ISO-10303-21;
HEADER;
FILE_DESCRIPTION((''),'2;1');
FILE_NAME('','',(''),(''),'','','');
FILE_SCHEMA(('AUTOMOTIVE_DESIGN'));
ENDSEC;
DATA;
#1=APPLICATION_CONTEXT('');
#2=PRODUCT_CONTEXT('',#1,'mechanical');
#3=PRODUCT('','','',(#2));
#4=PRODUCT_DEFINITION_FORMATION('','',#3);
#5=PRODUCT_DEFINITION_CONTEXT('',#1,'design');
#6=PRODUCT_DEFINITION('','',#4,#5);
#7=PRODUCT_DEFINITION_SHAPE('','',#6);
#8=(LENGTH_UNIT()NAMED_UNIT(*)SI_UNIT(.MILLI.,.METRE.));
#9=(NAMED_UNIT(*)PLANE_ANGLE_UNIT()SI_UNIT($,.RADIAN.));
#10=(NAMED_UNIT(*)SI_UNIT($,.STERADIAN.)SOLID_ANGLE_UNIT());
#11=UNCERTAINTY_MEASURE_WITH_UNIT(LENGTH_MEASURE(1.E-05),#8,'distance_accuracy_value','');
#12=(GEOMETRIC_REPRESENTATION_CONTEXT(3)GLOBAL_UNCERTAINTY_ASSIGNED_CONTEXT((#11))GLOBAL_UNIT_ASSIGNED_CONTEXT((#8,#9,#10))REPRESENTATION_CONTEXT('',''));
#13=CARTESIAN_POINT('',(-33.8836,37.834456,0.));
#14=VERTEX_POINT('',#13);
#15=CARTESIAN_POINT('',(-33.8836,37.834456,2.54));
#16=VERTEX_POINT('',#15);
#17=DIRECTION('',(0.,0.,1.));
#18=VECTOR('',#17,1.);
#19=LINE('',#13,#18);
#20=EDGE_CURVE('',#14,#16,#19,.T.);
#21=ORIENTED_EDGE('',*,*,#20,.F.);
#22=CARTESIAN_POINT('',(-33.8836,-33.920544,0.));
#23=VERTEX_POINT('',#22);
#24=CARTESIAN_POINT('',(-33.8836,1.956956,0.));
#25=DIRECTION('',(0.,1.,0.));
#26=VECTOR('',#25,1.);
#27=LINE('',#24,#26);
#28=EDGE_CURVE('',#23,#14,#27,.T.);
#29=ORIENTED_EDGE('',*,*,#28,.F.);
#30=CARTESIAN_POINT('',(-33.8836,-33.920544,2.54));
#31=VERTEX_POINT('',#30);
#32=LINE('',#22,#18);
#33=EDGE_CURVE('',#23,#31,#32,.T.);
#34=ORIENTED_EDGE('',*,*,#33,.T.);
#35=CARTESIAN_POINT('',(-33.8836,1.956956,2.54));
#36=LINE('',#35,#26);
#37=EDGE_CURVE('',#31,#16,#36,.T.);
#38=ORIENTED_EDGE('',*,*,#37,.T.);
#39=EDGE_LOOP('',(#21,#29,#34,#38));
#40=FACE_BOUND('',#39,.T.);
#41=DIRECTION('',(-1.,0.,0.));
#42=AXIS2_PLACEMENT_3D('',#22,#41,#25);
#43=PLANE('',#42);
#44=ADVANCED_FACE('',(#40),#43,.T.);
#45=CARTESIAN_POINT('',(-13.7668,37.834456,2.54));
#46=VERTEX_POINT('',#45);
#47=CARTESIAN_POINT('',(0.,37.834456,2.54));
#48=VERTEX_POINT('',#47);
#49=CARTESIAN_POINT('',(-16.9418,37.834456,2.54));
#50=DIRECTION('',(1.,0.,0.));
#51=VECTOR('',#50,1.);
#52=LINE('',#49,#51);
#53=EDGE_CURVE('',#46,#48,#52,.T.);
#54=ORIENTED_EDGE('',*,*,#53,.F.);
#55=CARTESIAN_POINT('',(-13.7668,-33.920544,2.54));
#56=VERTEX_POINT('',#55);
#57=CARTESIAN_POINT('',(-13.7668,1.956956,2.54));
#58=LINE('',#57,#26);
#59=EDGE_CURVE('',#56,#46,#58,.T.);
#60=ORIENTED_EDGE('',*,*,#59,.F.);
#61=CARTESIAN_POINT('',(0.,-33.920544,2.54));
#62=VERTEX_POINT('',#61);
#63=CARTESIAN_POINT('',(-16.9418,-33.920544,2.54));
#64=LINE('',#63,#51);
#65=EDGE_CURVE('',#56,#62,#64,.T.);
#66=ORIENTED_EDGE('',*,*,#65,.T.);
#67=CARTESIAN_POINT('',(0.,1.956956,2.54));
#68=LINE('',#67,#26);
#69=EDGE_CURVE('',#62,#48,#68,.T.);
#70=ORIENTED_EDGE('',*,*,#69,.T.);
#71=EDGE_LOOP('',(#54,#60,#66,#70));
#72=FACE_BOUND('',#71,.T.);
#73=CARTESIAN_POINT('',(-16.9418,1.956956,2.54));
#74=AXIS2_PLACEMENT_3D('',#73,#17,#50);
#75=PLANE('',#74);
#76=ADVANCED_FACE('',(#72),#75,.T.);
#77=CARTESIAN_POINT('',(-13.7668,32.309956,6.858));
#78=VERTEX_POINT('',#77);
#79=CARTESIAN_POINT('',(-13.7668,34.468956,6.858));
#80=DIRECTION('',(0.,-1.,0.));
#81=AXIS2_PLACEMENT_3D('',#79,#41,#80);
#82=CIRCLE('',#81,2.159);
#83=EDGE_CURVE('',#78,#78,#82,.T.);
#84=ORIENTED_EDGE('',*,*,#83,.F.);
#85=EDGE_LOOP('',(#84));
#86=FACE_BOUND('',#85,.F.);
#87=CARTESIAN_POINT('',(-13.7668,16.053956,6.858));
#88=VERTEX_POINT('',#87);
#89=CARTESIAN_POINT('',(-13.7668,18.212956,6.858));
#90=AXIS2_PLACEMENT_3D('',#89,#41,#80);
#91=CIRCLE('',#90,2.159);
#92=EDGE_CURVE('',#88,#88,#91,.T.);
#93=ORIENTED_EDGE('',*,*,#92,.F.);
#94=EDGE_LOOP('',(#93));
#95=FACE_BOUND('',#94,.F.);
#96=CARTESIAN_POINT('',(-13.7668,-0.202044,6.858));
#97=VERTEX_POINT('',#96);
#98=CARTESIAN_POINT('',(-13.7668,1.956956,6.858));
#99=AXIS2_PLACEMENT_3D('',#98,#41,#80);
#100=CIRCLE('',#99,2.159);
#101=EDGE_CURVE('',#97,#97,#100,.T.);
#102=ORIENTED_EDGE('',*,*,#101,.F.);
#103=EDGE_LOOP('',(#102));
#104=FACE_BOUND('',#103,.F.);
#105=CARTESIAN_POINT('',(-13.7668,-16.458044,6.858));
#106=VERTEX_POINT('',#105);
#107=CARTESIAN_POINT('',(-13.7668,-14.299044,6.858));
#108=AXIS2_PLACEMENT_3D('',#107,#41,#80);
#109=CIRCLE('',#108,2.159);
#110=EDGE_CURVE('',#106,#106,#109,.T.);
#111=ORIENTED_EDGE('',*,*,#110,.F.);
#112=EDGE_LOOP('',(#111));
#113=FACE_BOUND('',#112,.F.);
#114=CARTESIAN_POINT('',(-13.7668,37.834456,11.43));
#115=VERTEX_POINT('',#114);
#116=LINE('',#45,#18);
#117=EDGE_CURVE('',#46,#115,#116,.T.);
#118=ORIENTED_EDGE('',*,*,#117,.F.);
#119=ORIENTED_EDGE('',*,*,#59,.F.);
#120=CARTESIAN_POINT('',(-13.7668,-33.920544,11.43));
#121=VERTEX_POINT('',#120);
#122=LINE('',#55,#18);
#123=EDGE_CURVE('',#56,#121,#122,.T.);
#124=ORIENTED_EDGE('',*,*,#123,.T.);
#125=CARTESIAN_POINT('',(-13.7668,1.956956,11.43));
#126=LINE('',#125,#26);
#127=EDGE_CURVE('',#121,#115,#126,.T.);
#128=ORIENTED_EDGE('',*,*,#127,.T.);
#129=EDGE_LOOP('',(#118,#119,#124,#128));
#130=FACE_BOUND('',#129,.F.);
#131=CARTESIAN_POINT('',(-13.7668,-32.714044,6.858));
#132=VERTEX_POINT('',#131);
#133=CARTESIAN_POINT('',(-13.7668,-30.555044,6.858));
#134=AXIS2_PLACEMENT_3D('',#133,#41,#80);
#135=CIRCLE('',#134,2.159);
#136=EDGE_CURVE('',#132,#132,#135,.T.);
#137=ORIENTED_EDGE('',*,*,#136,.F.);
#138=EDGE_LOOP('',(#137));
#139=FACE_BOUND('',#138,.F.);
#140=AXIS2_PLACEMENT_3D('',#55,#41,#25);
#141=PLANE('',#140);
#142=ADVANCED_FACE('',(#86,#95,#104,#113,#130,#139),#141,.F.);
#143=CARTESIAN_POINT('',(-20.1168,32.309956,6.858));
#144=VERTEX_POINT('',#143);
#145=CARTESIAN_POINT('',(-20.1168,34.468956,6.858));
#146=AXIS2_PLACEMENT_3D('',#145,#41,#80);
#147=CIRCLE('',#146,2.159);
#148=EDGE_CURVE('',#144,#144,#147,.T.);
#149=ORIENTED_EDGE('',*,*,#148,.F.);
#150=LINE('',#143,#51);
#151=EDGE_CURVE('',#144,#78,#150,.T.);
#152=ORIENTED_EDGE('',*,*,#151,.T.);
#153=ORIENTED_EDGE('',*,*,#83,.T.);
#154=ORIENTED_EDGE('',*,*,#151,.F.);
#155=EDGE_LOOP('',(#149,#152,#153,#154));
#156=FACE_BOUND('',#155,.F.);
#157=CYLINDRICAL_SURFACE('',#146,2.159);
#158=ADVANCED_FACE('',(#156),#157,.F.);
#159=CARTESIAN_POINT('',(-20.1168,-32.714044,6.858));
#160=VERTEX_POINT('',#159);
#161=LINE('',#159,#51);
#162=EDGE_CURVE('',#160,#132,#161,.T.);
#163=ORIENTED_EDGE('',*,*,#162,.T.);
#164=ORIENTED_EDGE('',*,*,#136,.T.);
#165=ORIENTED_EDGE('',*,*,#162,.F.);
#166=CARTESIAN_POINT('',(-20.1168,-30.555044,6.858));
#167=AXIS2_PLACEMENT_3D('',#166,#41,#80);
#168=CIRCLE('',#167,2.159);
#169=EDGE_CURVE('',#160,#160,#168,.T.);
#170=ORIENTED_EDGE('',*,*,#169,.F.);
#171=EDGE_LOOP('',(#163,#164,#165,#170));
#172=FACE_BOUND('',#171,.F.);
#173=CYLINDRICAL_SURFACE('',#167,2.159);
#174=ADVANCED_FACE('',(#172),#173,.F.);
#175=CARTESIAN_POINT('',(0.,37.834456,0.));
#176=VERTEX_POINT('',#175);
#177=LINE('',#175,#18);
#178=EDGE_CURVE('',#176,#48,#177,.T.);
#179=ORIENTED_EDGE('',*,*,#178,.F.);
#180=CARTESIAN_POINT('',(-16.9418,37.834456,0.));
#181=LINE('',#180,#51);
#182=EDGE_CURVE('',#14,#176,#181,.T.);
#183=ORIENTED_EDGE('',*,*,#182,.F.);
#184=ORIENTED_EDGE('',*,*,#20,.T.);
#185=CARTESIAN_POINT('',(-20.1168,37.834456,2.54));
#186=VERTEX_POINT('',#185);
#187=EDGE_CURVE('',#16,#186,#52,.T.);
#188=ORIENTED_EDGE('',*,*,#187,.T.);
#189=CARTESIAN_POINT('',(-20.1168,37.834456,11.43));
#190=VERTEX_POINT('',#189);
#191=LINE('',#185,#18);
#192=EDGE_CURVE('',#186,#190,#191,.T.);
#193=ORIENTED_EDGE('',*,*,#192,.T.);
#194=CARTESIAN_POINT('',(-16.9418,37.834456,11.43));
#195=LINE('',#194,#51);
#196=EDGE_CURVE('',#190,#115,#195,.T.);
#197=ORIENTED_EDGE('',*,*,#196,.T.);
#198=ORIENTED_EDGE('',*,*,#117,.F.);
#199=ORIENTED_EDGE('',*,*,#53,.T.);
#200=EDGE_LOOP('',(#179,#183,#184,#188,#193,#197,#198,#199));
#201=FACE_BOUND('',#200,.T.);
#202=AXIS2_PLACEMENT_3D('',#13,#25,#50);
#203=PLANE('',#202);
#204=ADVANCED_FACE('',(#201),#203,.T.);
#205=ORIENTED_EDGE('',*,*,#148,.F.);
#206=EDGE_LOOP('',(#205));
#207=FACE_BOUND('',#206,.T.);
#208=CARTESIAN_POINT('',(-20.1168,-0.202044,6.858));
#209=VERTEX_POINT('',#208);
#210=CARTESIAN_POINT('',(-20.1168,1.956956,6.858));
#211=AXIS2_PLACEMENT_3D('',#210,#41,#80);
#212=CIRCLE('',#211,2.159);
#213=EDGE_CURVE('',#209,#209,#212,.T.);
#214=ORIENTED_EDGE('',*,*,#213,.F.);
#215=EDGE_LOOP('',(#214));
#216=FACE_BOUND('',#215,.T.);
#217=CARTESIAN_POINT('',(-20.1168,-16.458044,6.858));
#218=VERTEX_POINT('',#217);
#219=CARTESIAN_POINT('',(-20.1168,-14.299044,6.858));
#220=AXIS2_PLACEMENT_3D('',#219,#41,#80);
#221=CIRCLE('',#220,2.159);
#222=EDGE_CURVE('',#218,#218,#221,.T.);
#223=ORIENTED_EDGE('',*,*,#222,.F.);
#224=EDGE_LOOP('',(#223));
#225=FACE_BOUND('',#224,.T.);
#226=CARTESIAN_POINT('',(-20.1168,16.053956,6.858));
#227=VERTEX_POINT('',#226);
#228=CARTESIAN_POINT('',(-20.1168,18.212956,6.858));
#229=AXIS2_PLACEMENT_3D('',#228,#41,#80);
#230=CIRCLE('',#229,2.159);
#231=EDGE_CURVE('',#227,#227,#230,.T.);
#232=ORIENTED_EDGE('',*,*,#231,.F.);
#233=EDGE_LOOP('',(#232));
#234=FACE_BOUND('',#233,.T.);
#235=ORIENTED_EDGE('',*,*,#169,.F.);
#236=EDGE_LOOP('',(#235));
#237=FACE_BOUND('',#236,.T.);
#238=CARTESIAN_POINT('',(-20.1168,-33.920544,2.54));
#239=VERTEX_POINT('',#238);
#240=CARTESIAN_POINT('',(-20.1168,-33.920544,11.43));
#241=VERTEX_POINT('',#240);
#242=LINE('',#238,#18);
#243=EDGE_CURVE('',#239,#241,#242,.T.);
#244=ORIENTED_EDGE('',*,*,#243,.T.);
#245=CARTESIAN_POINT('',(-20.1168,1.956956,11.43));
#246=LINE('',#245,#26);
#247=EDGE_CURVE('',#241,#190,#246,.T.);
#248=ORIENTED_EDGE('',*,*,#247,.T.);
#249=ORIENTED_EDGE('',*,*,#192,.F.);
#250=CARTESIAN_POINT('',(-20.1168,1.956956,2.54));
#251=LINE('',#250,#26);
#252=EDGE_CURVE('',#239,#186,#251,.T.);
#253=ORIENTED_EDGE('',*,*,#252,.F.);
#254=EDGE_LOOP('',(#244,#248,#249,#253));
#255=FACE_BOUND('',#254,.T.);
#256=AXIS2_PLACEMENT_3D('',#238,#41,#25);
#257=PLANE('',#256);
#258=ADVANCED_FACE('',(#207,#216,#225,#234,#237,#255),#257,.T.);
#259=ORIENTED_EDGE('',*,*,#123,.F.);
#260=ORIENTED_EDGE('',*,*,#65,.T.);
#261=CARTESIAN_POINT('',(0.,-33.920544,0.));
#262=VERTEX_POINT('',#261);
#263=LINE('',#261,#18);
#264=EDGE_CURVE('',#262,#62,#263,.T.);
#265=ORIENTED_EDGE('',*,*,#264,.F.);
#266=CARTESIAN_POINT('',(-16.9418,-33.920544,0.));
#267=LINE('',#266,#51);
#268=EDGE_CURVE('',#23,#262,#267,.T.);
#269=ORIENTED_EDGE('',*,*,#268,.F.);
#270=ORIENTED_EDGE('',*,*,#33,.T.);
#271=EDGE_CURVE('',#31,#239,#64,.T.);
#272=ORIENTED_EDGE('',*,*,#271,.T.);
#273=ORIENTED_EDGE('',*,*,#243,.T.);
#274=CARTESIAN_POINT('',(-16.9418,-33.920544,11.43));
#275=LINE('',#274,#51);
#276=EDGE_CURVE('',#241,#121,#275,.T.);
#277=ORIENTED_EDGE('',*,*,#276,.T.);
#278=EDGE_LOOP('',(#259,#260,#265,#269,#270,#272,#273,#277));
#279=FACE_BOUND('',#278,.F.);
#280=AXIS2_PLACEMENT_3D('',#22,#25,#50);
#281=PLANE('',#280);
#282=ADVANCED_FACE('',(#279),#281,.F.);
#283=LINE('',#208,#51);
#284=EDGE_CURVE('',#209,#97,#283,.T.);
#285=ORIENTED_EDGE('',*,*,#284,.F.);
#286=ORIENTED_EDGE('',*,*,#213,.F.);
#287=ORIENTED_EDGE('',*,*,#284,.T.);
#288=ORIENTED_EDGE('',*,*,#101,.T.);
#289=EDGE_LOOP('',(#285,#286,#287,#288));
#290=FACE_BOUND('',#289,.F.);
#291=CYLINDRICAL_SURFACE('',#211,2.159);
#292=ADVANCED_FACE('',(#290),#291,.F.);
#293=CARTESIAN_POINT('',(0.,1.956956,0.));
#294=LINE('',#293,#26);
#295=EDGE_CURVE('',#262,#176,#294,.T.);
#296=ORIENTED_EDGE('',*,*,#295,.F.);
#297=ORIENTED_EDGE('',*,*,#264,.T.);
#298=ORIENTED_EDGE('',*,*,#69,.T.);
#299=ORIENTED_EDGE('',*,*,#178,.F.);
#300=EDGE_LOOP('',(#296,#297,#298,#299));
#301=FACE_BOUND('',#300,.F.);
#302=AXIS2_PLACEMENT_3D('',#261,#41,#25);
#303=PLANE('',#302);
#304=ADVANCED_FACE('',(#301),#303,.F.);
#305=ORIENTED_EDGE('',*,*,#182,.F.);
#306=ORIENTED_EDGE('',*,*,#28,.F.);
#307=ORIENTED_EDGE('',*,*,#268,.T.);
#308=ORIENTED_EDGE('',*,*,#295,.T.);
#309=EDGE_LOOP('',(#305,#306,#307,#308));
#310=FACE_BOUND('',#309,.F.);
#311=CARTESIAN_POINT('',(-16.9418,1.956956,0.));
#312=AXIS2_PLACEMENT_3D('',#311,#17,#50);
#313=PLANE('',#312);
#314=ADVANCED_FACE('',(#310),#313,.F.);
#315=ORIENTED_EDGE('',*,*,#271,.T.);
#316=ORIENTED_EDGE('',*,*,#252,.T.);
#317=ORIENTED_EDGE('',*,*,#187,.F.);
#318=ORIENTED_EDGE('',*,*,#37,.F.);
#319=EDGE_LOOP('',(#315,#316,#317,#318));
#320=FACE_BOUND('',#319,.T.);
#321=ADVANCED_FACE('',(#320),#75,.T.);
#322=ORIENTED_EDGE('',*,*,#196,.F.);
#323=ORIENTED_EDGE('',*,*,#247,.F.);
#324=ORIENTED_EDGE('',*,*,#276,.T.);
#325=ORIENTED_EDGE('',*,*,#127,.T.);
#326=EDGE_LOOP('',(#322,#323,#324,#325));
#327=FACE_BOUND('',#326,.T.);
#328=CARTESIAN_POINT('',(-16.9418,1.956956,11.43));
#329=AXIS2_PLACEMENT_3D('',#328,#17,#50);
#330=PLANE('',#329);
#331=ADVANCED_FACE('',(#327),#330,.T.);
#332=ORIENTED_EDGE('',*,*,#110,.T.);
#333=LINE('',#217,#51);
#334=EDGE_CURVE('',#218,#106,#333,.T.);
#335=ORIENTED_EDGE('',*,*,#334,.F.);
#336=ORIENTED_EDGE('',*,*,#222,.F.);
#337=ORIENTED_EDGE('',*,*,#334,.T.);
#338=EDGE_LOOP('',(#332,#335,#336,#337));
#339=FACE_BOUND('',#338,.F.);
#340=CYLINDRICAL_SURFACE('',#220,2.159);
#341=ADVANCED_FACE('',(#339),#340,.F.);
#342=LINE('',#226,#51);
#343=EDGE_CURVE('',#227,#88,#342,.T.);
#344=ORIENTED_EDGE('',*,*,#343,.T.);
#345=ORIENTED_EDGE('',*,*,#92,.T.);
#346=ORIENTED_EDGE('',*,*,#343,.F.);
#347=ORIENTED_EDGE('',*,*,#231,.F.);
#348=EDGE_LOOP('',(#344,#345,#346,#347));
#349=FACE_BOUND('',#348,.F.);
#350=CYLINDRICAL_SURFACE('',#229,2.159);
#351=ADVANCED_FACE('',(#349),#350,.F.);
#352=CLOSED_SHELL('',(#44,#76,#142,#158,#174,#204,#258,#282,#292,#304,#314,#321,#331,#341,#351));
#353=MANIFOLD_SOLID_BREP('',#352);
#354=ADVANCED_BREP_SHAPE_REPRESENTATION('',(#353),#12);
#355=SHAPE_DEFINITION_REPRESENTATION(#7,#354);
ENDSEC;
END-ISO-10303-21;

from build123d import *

# Parameters (mm, degrees)
F0_W     = 33.8836
F0_H     = 71.755
F1_DEPTH = 2.54
F2_W     = 6.35
F2_H     = 71.755
F3_DEPTH = 8.89
F4_R     = 2.159
F5_DEPTH = 6.35


with BuildPart() as f1:
    # F0 (on Top) → F1 (new body)
    with BuildSketch(Plane.XY):
        with Locations((-16.9418, 1.956956)):
            Rectangle(F0_W, F0_H)
    extrude(amount=F1_DEPTH)

    # F2 (on face) → F3 (join)
    with BuildSketch(Plane.XY.offset(2.54)):
        with Locations((-16.9418, 1.956956)):
            Rectangle(F2_W, F2_H)
    extrude(amount=F3_DEPTH)

    # F4 (on face) → F5 (cut)
    with BuildSketch(Plane(origin=(-20.1168, 0, 0), x_dir=(0, -1, 0), z_dir=(-1, 0, 0))):
        with Locations((-18.212956, 6.858)):
            Circle(F4_R)
        with Locations((-34.468956, 6.858)):
            Circle(F4_R)
        with Locations((-1.956956, 6.858)):
            Circle(F4_R)
        with Locations((14.299044, 6.858)):
            Circle(F4_R)
        with Locations((30.555044, 6.858)):
            Circle(F4_R)
    extrude(amount=-F5_DEPTH, mode=Mode.SUBTRACT)


solid = f1.part
